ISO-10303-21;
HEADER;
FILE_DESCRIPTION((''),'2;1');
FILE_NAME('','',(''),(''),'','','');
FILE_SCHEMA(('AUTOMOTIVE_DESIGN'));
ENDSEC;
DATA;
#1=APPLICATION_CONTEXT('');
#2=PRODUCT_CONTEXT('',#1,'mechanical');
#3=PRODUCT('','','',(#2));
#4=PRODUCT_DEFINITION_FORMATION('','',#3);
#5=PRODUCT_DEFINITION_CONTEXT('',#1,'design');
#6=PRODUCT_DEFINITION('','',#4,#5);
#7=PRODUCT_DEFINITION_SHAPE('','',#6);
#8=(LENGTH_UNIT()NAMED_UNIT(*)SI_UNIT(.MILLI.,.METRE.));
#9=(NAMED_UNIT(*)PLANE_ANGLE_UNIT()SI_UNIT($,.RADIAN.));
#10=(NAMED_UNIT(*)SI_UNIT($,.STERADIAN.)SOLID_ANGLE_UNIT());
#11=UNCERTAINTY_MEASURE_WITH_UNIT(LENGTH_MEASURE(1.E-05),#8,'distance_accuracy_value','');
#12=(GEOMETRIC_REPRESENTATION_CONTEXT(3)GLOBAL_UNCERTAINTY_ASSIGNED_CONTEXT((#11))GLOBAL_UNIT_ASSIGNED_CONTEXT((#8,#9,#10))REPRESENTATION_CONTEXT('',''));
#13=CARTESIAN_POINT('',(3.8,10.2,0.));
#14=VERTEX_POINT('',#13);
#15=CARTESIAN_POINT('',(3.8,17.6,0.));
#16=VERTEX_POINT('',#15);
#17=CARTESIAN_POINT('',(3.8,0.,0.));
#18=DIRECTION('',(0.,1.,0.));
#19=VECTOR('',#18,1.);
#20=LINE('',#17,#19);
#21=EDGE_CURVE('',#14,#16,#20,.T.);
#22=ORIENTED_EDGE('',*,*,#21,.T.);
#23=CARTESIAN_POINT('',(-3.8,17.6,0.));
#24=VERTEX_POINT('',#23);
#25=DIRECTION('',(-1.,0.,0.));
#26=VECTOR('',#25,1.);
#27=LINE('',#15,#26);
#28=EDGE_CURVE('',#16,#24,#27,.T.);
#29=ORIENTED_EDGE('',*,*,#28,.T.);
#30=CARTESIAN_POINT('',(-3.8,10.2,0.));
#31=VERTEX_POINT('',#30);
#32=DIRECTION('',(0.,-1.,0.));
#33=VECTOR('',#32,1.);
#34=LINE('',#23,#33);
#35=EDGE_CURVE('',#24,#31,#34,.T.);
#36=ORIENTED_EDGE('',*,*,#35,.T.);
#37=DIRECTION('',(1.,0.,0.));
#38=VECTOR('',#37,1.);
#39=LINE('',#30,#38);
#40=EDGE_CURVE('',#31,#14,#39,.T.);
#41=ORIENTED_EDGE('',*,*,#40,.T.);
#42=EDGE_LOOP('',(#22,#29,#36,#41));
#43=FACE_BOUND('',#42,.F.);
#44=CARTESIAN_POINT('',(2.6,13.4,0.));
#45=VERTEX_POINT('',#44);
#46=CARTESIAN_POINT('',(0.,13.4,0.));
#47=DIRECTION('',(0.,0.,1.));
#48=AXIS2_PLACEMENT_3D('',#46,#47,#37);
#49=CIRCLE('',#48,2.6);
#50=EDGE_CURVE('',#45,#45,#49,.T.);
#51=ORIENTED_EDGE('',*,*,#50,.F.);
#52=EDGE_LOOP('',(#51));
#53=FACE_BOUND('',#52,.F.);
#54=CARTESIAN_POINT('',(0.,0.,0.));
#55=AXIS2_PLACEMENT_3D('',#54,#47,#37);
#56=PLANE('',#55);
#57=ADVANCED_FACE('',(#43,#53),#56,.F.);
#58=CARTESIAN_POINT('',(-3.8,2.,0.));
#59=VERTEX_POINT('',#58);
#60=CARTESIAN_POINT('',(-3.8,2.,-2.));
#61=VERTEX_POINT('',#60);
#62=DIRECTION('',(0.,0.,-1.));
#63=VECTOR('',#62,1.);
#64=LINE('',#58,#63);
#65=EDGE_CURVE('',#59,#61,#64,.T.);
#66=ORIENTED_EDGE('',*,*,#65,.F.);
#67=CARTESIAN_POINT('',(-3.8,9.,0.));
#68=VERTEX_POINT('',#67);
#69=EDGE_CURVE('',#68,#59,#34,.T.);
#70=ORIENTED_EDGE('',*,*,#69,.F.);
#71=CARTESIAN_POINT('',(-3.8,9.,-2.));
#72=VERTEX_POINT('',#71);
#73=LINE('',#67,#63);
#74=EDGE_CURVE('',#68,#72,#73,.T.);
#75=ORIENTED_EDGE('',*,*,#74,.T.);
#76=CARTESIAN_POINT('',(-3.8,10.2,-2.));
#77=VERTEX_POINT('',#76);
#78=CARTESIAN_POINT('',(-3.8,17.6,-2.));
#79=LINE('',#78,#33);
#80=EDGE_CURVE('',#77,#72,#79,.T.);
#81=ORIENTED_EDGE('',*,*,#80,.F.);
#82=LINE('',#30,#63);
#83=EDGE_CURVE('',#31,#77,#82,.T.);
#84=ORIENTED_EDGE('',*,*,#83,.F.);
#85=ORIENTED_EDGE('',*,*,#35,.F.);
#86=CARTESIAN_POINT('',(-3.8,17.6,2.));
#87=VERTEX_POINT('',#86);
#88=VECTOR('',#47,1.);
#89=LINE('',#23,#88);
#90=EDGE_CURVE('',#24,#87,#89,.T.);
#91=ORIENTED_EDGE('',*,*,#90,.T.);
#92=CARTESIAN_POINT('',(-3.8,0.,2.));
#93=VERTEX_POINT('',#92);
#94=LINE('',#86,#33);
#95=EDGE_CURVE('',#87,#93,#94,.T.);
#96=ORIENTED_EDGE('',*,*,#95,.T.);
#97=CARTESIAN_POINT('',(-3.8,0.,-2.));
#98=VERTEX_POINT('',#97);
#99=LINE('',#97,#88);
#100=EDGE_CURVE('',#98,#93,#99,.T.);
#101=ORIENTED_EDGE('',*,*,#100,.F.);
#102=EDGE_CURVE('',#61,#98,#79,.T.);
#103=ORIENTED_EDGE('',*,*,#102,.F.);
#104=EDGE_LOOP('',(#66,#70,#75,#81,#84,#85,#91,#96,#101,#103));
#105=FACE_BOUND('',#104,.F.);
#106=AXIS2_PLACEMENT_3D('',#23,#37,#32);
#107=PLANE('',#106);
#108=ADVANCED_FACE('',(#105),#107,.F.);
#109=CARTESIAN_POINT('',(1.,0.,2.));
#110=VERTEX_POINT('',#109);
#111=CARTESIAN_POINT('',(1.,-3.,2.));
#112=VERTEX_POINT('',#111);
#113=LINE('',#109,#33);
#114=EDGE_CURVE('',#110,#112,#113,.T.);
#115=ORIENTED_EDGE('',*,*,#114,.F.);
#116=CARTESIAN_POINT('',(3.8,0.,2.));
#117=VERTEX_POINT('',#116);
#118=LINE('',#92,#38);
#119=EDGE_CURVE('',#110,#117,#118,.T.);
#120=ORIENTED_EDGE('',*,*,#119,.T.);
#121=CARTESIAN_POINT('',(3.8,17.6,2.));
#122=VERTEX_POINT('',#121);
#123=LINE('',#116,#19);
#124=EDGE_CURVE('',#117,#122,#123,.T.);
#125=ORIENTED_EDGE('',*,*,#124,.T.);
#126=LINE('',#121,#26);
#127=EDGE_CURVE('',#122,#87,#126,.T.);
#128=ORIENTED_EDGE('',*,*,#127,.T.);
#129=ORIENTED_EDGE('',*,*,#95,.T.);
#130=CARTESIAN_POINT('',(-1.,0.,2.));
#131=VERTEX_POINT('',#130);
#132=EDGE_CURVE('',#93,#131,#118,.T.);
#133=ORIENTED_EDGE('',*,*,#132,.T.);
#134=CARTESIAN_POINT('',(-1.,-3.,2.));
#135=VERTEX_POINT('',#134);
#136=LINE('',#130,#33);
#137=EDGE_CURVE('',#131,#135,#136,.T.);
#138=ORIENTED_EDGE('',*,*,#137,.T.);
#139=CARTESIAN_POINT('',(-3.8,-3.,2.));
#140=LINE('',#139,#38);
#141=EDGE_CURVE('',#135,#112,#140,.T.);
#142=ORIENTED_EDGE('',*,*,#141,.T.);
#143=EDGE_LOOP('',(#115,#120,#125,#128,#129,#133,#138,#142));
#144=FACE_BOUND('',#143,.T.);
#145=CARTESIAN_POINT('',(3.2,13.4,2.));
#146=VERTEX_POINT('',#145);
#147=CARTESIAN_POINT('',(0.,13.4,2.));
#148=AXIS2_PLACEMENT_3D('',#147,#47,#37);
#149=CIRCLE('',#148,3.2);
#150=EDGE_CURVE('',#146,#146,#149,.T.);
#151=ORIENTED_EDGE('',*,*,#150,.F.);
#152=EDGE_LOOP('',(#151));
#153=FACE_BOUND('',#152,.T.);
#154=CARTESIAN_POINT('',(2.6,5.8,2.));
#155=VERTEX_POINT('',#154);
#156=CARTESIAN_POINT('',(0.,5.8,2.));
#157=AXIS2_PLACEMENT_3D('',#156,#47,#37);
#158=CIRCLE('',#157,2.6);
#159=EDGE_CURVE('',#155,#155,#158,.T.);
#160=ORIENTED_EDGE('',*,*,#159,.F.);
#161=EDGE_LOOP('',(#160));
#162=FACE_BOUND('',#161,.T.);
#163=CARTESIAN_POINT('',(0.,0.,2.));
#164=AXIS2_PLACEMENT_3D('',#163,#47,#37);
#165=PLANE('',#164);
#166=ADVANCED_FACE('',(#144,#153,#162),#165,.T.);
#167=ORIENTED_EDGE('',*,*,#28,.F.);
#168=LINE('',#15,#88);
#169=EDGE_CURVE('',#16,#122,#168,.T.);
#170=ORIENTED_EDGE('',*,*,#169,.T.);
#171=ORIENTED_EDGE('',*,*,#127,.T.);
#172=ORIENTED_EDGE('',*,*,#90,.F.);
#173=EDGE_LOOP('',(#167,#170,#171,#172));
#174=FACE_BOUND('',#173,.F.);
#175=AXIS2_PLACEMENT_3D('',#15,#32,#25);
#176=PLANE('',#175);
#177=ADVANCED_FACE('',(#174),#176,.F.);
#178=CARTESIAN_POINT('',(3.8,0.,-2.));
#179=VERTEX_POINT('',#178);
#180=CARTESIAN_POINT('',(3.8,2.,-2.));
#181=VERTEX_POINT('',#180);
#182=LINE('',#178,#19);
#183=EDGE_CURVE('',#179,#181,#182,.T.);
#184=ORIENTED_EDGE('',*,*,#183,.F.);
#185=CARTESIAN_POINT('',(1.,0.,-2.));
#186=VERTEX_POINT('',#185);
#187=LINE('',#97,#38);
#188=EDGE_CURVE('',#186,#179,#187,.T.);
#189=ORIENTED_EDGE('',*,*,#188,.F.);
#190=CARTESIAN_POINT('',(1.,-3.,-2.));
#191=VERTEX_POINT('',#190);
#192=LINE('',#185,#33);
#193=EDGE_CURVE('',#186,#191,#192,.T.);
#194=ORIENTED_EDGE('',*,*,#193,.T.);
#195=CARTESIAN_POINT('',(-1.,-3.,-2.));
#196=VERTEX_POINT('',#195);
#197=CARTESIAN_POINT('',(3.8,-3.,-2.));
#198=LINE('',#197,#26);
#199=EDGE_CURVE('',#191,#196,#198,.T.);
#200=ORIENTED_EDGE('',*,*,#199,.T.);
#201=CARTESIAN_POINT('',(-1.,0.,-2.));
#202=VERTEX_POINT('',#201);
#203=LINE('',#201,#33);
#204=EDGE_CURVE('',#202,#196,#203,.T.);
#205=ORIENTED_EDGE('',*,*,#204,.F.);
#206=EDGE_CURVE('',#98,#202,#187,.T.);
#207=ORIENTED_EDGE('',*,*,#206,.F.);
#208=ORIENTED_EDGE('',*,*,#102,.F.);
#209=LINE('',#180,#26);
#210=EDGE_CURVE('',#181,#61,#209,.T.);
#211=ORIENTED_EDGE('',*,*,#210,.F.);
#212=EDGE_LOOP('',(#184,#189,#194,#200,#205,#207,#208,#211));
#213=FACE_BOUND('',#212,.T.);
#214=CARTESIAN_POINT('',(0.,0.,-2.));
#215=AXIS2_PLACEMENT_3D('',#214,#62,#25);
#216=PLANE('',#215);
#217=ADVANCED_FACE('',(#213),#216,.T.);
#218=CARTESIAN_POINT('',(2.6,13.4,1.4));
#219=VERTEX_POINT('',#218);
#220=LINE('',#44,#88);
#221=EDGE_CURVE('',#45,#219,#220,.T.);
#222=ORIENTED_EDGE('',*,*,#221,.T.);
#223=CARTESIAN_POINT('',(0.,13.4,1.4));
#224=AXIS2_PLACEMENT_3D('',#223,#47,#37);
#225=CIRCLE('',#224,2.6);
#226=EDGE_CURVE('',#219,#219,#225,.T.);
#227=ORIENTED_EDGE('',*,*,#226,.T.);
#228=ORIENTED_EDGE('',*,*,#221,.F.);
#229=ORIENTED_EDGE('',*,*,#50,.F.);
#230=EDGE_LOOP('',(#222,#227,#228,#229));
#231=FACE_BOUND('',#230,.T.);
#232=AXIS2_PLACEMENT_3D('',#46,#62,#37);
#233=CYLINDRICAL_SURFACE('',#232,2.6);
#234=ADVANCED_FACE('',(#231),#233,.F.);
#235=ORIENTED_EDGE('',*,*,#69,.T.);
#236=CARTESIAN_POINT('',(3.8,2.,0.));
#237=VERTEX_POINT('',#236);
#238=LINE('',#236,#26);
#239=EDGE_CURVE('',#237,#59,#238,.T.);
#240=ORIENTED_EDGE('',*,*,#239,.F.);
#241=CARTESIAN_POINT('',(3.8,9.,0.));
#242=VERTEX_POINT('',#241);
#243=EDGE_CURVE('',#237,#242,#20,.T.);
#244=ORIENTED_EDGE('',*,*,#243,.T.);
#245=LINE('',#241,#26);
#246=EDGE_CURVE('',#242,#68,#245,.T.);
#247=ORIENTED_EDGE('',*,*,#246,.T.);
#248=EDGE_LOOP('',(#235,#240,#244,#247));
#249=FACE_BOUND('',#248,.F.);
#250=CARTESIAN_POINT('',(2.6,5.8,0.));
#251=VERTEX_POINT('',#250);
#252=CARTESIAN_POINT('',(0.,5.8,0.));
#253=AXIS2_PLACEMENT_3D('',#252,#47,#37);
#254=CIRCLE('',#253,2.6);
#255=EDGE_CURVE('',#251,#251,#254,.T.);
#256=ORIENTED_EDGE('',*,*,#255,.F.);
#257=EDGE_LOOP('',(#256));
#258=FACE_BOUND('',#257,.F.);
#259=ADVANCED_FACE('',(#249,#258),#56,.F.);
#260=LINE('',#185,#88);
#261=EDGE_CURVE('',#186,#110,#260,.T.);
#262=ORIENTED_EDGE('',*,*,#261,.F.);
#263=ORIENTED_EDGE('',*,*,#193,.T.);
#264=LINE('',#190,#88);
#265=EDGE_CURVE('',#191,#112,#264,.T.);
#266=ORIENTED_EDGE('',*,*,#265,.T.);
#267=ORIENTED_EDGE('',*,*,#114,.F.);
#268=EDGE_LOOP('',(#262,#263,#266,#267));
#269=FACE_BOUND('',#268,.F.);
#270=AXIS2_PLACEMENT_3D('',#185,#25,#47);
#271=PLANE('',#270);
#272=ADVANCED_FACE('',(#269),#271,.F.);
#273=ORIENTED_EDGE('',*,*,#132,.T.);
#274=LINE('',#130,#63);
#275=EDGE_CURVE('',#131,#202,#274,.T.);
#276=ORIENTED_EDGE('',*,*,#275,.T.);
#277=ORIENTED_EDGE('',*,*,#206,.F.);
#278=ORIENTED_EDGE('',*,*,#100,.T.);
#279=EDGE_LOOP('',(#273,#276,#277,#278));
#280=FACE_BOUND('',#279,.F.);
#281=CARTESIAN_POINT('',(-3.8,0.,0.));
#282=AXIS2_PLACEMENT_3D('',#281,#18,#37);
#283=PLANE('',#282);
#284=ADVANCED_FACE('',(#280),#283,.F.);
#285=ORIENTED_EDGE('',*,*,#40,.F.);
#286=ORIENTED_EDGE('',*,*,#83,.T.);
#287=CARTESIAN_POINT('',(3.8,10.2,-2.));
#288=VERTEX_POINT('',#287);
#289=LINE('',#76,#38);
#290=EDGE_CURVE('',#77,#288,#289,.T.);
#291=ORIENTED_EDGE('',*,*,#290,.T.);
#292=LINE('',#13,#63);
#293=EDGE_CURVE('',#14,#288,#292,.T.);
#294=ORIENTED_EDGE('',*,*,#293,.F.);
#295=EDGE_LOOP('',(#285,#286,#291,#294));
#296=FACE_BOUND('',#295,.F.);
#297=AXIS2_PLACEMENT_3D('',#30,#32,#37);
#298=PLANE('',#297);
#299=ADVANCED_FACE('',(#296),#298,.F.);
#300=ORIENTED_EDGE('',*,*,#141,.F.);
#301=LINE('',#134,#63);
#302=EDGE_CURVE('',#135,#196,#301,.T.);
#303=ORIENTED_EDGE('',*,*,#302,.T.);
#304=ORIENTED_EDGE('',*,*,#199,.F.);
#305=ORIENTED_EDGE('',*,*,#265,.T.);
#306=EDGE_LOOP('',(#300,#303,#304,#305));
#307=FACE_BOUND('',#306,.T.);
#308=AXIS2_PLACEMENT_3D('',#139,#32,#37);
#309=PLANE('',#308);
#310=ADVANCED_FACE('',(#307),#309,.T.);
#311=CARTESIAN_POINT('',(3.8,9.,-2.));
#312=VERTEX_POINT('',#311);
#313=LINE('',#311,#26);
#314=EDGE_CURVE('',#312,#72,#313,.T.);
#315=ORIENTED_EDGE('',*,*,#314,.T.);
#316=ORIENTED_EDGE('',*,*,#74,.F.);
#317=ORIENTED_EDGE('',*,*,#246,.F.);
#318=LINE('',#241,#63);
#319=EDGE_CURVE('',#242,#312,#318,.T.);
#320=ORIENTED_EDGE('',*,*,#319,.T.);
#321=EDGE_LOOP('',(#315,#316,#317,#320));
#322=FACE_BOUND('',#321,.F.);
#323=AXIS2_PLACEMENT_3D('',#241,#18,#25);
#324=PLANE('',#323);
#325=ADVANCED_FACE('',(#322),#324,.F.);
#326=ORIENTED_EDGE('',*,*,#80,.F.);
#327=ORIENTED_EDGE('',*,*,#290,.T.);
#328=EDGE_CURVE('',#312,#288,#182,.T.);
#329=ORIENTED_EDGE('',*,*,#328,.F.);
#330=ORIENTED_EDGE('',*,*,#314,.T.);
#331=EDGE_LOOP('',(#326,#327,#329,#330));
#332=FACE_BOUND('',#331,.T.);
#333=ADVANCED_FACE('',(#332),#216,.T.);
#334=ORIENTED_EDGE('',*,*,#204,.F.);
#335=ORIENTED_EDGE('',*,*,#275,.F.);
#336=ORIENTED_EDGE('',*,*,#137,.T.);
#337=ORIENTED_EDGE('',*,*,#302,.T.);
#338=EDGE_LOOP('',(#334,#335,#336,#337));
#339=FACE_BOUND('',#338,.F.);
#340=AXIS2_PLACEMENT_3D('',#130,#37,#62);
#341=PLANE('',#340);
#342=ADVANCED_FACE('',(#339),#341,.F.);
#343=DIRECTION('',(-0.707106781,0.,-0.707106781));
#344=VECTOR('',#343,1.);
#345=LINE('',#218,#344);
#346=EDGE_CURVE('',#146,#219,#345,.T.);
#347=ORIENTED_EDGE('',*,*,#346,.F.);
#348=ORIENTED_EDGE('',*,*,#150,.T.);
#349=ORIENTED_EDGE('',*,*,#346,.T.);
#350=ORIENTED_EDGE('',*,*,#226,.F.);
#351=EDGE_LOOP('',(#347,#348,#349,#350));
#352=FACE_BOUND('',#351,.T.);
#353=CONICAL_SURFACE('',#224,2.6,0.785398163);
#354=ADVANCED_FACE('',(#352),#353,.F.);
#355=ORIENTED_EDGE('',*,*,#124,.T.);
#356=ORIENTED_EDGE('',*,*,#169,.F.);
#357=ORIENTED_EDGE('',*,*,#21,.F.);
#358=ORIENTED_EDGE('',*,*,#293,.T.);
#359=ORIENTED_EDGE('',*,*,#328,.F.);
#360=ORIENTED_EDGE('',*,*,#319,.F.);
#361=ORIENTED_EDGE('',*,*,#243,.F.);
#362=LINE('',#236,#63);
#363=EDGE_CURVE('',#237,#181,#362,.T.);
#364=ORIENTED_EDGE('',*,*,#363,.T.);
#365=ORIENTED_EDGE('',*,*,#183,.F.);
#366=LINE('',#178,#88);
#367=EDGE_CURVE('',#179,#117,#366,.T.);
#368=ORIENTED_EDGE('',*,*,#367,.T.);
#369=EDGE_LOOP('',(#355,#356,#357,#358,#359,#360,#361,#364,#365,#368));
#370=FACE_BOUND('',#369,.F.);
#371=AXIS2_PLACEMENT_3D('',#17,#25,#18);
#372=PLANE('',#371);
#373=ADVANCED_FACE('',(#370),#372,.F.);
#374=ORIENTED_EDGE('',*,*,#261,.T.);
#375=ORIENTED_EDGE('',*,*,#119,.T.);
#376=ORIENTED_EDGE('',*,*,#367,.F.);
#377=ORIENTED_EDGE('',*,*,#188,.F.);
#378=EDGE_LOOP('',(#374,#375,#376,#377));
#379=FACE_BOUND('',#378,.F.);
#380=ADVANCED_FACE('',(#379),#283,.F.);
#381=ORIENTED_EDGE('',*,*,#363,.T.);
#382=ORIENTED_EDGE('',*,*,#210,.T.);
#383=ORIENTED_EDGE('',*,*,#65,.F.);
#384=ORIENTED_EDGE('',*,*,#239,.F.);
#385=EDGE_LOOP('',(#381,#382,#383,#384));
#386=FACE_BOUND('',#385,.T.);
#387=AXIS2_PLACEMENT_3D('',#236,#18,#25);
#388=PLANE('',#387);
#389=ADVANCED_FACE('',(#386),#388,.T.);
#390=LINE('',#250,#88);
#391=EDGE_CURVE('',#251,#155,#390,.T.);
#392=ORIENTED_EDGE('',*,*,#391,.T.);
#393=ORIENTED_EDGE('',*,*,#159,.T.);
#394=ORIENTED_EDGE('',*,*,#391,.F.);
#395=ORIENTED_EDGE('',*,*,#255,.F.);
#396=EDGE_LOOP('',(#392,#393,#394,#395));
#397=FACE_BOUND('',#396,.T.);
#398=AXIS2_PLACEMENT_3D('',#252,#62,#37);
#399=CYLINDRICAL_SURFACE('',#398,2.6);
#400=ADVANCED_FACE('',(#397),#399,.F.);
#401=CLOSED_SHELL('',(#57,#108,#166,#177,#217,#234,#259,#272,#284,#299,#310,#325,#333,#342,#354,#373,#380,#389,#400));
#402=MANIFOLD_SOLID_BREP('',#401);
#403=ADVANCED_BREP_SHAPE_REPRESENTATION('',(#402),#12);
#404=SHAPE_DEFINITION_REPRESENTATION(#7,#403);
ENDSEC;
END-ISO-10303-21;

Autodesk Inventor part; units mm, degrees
ref_plane "YZ Plane" through (0, 0, 0) normal (1, 0, 0) x (0, 1, 0)
ref_plane "XZ Plane" through (0, 0, 0) normal (0, 1, 0) x (-1, 0, 0)
ref_plane "XY Plane" through (0, 0, 0) normal (0, 0, 1) x (1, 0, 0)
sketch "スケッチ1" plane through (0, 0, 0) normal (0, 0, 1) x (1, 0, 0)
  circle A0 centre (0, 5.8) radius 2.6
  circle A1 centre (0, 13.4) radius 2.6
  line L0 (-3.8, 0) -> (3.8, 0)
  line L1 (3.8, 0) -> (3.8, 17.6)
  line L2 (3.8, 17.6) -> (-3.8, 17.6)
  line L3 (-3.8, 17.6) -> (-3.8, 0)
  line L4 (-11.5586, 9.6) -> (11.5586, 9.6) construction
  point P0 (0, 0)
  point P1 (0, 0)
  point P2 (0, 9.6)
  dimension "LED_DIA" = 5.2
  dimension "d1" = 7.6
  dimension "LED_PITCH" = 7.6
  dimension "TOP_MARGIN" = 4.2
  dimension "BOTTOM_MARGIN" = 5.8
extrude "スペーサ" add sketch "スケッチ1" along normal blind 2
sketch "スケッチ2" plane through (0, 0, 0) normal (0, 0, -1) x (-1, 0, 0)
  line L0 (3.8, 17.6) -> (3.8, 0) projected
  line L1 (-3.8, 0) -> (-3.8, 17.6) projected
  line L2 (3.8, 0) -> (-3.8, 0)
  line L3 (-3.8, 0) -> (-3.8, 2)
  line L4 (-3.8, 2) -> (3.8, 2)
  line L5 (3.8, 2) -> (3.8, 0)
  line L6 (3.8, 10.2) -> (-3.8, 10.2)
  line L7 (-3.8, 10.2) -> (-3.8, 9)
  line L8 (-3.8, 9) -> (3.8, 9)
  line L9 (3.8, 9) -> (3.8, 10.2)
  circle A0 centre (0, 5.8) radius 2.9 construction
  circle A1 centre (0, 13.4) radius 2.9 construction
  circle A2 centre (0, 5.8) radius 2.6 construction
  circle A3 centre (0, 13.4) radius 2.6 construction
  line L10 (6.2058, 13.4) -> (-6.2058, 13.4) construction
  line L11 (-6.2058, 5.8) -> (6.2058, 5.8) construction
  line L12 (6.2058, 9.6) -> (-6.2058, 9.6) construction
  point P0 (0, 0)
  point P1 (3.8, 9.6)
  point P2 (-3.8, 9)
  point P3 (3.8, 9)
  point P4 (3.8, 10.2)
  point P5 (-3.8, 10.2)
  dimension "d8" = 5.8
  dimension "d9" = 2
  dimension "d10" = 1.2
extrude "押し出し2" add sketch "スケッチ2" along normal blind 2 contours L0 L8 L1 L6 | L0 L2 L1 L4
chamfer "面取り1" distance 0.6 angle 45 1 edges at (-2.6, 13.4, 2)
sketch "スケッチ3" plane through (-3.8, 0, 2) normal (0, -1, 0) x (1, 0, 0)
  line L0 (0, 0) -> (7.6, 0) projected
  line L1 (7.6, -4) -> (0, -4) projected
  line L2 (4.8, 0) -> (2.8, 0)
  line L3 (2.8, 0) -> (2.8, -4)
  line L4 (2.8, -4) -> (4.8, -4)
  line L5 (4.8, -4) -> (4.8, 0)
  point P0 (3.8, -2)
  point P1 (3.8, 0)
  dimension "d16" = 2
extrude "押し出し3" add sketch "スケッチ3" along normal blind 3
properties part number "LED-Spacer1"
